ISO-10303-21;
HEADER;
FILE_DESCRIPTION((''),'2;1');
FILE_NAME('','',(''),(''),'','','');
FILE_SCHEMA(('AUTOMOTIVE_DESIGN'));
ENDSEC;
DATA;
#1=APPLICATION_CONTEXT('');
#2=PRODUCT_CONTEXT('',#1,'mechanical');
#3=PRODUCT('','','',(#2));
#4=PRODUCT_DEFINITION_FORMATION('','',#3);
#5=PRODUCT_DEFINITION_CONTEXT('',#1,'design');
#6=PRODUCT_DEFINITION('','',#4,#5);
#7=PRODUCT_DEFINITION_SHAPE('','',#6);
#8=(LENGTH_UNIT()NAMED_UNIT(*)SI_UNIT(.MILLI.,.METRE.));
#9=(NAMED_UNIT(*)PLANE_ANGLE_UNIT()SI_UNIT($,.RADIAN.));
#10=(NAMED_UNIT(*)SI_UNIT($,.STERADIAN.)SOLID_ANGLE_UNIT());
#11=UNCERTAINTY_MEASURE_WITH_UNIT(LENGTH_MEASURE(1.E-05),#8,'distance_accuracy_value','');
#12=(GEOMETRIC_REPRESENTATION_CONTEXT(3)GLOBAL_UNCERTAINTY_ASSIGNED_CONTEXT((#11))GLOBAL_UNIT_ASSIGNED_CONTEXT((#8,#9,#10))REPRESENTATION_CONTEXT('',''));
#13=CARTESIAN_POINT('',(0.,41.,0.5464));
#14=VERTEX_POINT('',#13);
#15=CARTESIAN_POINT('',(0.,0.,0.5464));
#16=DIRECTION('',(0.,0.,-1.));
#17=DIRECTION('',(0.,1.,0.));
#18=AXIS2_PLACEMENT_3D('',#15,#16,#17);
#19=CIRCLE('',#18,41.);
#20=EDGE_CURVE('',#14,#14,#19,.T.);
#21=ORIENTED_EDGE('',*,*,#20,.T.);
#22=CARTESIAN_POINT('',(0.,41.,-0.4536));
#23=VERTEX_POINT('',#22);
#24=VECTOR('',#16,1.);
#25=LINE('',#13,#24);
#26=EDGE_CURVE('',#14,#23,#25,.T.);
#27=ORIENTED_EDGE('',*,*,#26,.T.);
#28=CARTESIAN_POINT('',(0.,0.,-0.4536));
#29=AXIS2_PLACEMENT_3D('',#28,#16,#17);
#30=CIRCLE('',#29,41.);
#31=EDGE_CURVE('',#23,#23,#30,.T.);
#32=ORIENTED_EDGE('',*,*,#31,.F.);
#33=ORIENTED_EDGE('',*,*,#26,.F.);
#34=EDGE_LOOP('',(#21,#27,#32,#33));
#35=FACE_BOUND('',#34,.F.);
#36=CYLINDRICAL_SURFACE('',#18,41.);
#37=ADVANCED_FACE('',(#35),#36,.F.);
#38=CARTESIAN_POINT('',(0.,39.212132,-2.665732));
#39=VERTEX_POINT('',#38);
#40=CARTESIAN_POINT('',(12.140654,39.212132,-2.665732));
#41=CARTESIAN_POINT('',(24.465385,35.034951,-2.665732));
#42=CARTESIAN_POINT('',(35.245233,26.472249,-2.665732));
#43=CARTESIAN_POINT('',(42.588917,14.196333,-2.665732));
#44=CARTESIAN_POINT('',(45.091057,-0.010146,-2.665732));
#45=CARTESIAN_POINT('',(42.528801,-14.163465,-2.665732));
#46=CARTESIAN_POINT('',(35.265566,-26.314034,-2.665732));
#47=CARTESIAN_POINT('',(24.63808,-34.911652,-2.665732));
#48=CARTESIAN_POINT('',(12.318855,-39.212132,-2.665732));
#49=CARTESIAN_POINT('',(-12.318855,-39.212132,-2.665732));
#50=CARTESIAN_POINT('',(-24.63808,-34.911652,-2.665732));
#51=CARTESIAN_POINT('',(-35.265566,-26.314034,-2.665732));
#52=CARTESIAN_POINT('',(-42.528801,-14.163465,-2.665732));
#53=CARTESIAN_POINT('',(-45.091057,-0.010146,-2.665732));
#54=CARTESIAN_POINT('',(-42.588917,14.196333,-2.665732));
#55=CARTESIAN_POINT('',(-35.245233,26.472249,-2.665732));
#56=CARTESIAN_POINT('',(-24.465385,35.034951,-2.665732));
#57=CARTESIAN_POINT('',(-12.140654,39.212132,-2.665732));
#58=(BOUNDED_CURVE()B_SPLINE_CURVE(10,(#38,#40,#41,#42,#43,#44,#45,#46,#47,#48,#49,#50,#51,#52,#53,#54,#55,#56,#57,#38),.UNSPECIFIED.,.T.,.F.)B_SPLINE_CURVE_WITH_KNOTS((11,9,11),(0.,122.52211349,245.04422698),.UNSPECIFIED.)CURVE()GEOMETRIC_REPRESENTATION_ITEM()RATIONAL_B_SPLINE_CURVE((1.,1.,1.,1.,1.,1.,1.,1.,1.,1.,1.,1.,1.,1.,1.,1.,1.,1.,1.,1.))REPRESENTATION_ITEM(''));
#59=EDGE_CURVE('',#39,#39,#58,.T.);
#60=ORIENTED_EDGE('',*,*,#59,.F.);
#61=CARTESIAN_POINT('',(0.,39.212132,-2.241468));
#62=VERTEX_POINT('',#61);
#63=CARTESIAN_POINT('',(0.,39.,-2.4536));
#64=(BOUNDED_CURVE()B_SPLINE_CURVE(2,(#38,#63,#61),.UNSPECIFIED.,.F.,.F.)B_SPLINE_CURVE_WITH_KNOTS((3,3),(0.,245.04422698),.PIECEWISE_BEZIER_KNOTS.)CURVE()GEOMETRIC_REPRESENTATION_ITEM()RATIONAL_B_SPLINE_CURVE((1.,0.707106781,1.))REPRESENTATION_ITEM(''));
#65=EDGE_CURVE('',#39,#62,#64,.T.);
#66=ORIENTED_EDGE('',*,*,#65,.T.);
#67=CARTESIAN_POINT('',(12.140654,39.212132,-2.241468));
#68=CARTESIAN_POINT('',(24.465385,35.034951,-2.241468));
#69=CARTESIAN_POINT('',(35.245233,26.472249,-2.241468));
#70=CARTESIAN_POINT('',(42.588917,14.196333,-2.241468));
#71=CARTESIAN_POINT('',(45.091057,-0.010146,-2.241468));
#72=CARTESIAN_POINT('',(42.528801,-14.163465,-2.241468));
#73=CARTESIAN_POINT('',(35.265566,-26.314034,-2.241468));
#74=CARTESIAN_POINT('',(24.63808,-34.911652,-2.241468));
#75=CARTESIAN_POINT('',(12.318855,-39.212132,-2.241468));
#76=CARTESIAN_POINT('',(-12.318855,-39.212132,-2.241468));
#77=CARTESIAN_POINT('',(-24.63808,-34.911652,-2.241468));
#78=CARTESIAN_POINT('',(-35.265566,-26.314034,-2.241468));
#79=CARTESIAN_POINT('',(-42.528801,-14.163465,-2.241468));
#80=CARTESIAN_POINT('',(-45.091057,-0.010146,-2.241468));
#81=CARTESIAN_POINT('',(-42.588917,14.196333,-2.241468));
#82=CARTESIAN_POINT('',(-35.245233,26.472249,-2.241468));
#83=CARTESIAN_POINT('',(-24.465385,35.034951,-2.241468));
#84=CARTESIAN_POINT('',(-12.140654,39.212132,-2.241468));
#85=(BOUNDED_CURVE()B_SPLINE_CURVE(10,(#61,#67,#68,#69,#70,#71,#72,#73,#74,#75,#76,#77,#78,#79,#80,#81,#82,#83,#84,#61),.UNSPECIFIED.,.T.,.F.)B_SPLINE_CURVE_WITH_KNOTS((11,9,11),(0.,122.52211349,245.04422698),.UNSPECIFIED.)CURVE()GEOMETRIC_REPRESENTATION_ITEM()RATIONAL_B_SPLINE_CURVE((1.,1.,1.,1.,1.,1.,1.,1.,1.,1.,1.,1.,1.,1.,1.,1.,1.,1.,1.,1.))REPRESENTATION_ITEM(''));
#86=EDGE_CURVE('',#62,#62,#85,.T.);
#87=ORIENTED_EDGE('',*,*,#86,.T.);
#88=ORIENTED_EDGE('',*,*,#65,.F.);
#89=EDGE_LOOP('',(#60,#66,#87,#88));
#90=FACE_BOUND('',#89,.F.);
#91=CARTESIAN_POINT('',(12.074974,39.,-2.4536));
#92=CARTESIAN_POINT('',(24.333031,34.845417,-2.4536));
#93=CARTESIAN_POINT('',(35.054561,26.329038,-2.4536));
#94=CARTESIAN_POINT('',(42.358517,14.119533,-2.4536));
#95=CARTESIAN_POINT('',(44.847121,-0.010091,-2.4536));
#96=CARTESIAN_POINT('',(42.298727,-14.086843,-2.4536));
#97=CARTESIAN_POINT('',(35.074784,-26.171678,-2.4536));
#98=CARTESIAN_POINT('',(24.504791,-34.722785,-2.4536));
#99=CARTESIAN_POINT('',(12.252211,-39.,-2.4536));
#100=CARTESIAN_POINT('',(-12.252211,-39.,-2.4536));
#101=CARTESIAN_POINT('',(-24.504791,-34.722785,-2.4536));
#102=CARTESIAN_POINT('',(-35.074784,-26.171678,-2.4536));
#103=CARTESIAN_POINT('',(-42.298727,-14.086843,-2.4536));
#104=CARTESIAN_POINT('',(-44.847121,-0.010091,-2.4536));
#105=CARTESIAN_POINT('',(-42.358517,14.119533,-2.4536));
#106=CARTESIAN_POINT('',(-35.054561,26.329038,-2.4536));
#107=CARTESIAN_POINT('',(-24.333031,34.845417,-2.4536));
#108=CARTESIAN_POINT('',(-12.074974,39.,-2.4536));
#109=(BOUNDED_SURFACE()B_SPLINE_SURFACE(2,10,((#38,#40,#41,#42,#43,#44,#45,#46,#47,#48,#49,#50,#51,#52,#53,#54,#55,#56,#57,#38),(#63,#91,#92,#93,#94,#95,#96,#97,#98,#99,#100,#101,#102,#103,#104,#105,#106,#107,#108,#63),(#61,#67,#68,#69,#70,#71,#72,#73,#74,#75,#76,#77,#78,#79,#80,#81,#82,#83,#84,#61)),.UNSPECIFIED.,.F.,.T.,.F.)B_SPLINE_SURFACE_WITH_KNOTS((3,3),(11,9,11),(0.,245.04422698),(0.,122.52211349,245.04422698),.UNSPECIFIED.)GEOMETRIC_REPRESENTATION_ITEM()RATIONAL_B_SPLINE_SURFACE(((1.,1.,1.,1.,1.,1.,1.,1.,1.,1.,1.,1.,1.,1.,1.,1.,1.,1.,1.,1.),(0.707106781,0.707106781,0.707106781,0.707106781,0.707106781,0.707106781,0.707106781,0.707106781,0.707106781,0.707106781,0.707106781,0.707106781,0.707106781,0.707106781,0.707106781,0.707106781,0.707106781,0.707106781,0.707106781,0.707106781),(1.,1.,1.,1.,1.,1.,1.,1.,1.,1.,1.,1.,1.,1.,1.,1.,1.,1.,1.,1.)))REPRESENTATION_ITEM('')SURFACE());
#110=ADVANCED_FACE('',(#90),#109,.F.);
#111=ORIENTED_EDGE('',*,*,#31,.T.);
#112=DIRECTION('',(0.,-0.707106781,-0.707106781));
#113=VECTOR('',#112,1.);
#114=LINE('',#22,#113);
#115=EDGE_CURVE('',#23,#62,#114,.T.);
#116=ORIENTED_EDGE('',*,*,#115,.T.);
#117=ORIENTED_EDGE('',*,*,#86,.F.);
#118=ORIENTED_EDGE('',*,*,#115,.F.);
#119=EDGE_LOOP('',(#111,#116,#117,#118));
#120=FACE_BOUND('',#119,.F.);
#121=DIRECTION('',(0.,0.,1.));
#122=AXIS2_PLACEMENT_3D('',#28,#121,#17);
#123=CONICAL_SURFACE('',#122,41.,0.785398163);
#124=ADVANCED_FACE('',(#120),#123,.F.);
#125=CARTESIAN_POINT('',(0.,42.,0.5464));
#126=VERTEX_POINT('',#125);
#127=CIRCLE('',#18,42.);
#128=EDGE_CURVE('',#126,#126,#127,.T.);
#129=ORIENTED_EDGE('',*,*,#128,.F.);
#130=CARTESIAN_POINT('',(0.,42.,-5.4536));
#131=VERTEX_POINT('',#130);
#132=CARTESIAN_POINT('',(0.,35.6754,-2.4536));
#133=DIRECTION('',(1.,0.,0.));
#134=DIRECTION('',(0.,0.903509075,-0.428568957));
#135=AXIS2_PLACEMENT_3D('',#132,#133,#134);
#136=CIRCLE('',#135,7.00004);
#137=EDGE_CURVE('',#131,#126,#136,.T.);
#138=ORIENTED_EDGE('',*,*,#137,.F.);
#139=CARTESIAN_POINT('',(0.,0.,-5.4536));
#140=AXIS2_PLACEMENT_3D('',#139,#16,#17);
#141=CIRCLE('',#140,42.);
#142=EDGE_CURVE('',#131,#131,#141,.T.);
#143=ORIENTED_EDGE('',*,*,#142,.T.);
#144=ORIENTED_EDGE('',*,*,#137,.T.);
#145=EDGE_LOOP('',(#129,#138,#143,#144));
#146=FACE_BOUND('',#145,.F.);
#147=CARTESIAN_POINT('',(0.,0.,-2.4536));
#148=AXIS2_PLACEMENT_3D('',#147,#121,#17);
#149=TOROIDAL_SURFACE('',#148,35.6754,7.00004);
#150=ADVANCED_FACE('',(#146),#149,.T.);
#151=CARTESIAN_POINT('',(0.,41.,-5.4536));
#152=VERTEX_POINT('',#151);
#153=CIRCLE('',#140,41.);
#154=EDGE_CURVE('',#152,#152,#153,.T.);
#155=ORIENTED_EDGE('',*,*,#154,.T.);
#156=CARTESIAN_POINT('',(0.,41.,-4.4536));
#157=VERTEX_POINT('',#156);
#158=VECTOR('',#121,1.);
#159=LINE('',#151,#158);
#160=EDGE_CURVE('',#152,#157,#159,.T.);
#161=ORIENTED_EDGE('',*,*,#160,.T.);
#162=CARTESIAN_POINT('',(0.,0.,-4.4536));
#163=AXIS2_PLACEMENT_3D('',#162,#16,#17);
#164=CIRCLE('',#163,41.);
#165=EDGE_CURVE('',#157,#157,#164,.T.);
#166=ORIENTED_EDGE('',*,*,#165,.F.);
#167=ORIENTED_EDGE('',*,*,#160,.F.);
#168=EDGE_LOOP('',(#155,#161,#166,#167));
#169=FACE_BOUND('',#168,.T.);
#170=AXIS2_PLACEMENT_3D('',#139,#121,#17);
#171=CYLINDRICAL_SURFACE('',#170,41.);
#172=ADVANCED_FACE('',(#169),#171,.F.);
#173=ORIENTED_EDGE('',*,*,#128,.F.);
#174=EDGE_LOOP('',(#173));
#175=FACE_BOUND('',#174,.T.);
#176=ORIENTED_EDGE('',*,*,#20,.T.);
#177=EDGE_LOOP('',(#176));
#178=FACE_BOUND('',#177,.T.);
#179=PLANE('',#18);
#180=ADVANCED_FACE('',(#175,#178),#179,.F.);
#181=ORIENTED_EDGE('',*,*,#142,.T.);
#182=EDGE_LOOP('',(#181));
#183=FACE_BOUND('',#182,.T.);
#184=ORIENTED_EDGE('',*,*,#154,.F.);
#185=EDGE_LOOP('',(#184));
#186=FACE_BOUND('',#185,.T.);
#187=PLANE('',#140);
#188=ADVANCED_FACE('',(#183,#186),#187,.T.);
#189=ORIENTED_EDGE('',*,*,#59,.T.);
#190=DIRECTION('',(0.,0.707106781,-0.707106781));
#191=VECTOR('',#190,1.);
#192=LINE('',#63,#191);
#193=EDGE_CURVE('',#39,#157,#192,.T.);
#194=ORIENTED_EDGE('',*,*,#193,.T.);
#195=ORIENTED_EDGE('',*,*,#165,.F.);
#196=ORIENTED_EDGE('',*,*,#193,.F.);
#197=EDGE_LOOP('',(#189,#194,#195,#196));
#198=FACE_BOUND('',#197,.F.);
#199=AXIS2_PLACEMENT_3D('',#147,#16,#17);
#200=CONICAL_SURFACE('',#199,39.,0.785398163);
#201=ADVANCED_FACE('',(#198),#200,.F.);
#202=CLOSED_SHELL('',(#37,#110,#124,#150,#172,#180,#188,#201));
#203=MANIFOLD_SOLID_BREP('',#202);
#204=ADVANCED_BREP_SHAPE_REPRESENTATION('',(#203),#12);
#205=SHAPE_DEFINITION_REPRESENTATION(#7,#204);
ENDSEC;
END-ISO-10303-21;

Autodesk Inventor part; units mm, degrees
ref_plane "YZ Plane" through (0, 0, 0) normal (1, 0, 0) x (0, 1, 0)
ref_plane "XZ Plane" through (0, 0, 0) normal (0, 1, 0) x (-1, 0, 0)
ref_plane "XY Plane" through (0, 0, 0) normal (0, 0, 1) x (1, 0, 0)
sketch "Sketch2" plane through (0, 0, 0) normal (1, 0, 0) x (0, 1, 0)
  line L0 (41, 0.5464) -> (41, -0.4536)
  line L1 (41, -0.4536) -> (39, -2.4536)
  line L2 (39, -2.4536) -> (41, -4.4536)
  line L3 (41, 0.5464) -> (42, 0.5464)
  line L4 (42, -5.4536) -> (41, -5.4536)
  arc A0 (42, -5.4536) -> (42, 0.5464) centre (35.6754, -2.4536) ccw
  line L5 (41, -0.4536) -> (41, 0.5464)
  line L6 (0, 0.8214) -> (0, -16.8707) construction
  line L7 (41, -5.4536) -> (41, -4.4536)
  dimension "d2" = 41
  dimension "d5" = 6
  dimension "d6" = 1
  dimension "d8" = 1
  dimension "d9" = 7
revolve "Revolution1" add sketch "Sketch2" angle 360 about axis through (0, 0, 0.8214) along (0, 0, -1)
fillet "Fillet1" radius 0.3 1 edges at (0, -39, -2.4536)
properties part number "tyre"
